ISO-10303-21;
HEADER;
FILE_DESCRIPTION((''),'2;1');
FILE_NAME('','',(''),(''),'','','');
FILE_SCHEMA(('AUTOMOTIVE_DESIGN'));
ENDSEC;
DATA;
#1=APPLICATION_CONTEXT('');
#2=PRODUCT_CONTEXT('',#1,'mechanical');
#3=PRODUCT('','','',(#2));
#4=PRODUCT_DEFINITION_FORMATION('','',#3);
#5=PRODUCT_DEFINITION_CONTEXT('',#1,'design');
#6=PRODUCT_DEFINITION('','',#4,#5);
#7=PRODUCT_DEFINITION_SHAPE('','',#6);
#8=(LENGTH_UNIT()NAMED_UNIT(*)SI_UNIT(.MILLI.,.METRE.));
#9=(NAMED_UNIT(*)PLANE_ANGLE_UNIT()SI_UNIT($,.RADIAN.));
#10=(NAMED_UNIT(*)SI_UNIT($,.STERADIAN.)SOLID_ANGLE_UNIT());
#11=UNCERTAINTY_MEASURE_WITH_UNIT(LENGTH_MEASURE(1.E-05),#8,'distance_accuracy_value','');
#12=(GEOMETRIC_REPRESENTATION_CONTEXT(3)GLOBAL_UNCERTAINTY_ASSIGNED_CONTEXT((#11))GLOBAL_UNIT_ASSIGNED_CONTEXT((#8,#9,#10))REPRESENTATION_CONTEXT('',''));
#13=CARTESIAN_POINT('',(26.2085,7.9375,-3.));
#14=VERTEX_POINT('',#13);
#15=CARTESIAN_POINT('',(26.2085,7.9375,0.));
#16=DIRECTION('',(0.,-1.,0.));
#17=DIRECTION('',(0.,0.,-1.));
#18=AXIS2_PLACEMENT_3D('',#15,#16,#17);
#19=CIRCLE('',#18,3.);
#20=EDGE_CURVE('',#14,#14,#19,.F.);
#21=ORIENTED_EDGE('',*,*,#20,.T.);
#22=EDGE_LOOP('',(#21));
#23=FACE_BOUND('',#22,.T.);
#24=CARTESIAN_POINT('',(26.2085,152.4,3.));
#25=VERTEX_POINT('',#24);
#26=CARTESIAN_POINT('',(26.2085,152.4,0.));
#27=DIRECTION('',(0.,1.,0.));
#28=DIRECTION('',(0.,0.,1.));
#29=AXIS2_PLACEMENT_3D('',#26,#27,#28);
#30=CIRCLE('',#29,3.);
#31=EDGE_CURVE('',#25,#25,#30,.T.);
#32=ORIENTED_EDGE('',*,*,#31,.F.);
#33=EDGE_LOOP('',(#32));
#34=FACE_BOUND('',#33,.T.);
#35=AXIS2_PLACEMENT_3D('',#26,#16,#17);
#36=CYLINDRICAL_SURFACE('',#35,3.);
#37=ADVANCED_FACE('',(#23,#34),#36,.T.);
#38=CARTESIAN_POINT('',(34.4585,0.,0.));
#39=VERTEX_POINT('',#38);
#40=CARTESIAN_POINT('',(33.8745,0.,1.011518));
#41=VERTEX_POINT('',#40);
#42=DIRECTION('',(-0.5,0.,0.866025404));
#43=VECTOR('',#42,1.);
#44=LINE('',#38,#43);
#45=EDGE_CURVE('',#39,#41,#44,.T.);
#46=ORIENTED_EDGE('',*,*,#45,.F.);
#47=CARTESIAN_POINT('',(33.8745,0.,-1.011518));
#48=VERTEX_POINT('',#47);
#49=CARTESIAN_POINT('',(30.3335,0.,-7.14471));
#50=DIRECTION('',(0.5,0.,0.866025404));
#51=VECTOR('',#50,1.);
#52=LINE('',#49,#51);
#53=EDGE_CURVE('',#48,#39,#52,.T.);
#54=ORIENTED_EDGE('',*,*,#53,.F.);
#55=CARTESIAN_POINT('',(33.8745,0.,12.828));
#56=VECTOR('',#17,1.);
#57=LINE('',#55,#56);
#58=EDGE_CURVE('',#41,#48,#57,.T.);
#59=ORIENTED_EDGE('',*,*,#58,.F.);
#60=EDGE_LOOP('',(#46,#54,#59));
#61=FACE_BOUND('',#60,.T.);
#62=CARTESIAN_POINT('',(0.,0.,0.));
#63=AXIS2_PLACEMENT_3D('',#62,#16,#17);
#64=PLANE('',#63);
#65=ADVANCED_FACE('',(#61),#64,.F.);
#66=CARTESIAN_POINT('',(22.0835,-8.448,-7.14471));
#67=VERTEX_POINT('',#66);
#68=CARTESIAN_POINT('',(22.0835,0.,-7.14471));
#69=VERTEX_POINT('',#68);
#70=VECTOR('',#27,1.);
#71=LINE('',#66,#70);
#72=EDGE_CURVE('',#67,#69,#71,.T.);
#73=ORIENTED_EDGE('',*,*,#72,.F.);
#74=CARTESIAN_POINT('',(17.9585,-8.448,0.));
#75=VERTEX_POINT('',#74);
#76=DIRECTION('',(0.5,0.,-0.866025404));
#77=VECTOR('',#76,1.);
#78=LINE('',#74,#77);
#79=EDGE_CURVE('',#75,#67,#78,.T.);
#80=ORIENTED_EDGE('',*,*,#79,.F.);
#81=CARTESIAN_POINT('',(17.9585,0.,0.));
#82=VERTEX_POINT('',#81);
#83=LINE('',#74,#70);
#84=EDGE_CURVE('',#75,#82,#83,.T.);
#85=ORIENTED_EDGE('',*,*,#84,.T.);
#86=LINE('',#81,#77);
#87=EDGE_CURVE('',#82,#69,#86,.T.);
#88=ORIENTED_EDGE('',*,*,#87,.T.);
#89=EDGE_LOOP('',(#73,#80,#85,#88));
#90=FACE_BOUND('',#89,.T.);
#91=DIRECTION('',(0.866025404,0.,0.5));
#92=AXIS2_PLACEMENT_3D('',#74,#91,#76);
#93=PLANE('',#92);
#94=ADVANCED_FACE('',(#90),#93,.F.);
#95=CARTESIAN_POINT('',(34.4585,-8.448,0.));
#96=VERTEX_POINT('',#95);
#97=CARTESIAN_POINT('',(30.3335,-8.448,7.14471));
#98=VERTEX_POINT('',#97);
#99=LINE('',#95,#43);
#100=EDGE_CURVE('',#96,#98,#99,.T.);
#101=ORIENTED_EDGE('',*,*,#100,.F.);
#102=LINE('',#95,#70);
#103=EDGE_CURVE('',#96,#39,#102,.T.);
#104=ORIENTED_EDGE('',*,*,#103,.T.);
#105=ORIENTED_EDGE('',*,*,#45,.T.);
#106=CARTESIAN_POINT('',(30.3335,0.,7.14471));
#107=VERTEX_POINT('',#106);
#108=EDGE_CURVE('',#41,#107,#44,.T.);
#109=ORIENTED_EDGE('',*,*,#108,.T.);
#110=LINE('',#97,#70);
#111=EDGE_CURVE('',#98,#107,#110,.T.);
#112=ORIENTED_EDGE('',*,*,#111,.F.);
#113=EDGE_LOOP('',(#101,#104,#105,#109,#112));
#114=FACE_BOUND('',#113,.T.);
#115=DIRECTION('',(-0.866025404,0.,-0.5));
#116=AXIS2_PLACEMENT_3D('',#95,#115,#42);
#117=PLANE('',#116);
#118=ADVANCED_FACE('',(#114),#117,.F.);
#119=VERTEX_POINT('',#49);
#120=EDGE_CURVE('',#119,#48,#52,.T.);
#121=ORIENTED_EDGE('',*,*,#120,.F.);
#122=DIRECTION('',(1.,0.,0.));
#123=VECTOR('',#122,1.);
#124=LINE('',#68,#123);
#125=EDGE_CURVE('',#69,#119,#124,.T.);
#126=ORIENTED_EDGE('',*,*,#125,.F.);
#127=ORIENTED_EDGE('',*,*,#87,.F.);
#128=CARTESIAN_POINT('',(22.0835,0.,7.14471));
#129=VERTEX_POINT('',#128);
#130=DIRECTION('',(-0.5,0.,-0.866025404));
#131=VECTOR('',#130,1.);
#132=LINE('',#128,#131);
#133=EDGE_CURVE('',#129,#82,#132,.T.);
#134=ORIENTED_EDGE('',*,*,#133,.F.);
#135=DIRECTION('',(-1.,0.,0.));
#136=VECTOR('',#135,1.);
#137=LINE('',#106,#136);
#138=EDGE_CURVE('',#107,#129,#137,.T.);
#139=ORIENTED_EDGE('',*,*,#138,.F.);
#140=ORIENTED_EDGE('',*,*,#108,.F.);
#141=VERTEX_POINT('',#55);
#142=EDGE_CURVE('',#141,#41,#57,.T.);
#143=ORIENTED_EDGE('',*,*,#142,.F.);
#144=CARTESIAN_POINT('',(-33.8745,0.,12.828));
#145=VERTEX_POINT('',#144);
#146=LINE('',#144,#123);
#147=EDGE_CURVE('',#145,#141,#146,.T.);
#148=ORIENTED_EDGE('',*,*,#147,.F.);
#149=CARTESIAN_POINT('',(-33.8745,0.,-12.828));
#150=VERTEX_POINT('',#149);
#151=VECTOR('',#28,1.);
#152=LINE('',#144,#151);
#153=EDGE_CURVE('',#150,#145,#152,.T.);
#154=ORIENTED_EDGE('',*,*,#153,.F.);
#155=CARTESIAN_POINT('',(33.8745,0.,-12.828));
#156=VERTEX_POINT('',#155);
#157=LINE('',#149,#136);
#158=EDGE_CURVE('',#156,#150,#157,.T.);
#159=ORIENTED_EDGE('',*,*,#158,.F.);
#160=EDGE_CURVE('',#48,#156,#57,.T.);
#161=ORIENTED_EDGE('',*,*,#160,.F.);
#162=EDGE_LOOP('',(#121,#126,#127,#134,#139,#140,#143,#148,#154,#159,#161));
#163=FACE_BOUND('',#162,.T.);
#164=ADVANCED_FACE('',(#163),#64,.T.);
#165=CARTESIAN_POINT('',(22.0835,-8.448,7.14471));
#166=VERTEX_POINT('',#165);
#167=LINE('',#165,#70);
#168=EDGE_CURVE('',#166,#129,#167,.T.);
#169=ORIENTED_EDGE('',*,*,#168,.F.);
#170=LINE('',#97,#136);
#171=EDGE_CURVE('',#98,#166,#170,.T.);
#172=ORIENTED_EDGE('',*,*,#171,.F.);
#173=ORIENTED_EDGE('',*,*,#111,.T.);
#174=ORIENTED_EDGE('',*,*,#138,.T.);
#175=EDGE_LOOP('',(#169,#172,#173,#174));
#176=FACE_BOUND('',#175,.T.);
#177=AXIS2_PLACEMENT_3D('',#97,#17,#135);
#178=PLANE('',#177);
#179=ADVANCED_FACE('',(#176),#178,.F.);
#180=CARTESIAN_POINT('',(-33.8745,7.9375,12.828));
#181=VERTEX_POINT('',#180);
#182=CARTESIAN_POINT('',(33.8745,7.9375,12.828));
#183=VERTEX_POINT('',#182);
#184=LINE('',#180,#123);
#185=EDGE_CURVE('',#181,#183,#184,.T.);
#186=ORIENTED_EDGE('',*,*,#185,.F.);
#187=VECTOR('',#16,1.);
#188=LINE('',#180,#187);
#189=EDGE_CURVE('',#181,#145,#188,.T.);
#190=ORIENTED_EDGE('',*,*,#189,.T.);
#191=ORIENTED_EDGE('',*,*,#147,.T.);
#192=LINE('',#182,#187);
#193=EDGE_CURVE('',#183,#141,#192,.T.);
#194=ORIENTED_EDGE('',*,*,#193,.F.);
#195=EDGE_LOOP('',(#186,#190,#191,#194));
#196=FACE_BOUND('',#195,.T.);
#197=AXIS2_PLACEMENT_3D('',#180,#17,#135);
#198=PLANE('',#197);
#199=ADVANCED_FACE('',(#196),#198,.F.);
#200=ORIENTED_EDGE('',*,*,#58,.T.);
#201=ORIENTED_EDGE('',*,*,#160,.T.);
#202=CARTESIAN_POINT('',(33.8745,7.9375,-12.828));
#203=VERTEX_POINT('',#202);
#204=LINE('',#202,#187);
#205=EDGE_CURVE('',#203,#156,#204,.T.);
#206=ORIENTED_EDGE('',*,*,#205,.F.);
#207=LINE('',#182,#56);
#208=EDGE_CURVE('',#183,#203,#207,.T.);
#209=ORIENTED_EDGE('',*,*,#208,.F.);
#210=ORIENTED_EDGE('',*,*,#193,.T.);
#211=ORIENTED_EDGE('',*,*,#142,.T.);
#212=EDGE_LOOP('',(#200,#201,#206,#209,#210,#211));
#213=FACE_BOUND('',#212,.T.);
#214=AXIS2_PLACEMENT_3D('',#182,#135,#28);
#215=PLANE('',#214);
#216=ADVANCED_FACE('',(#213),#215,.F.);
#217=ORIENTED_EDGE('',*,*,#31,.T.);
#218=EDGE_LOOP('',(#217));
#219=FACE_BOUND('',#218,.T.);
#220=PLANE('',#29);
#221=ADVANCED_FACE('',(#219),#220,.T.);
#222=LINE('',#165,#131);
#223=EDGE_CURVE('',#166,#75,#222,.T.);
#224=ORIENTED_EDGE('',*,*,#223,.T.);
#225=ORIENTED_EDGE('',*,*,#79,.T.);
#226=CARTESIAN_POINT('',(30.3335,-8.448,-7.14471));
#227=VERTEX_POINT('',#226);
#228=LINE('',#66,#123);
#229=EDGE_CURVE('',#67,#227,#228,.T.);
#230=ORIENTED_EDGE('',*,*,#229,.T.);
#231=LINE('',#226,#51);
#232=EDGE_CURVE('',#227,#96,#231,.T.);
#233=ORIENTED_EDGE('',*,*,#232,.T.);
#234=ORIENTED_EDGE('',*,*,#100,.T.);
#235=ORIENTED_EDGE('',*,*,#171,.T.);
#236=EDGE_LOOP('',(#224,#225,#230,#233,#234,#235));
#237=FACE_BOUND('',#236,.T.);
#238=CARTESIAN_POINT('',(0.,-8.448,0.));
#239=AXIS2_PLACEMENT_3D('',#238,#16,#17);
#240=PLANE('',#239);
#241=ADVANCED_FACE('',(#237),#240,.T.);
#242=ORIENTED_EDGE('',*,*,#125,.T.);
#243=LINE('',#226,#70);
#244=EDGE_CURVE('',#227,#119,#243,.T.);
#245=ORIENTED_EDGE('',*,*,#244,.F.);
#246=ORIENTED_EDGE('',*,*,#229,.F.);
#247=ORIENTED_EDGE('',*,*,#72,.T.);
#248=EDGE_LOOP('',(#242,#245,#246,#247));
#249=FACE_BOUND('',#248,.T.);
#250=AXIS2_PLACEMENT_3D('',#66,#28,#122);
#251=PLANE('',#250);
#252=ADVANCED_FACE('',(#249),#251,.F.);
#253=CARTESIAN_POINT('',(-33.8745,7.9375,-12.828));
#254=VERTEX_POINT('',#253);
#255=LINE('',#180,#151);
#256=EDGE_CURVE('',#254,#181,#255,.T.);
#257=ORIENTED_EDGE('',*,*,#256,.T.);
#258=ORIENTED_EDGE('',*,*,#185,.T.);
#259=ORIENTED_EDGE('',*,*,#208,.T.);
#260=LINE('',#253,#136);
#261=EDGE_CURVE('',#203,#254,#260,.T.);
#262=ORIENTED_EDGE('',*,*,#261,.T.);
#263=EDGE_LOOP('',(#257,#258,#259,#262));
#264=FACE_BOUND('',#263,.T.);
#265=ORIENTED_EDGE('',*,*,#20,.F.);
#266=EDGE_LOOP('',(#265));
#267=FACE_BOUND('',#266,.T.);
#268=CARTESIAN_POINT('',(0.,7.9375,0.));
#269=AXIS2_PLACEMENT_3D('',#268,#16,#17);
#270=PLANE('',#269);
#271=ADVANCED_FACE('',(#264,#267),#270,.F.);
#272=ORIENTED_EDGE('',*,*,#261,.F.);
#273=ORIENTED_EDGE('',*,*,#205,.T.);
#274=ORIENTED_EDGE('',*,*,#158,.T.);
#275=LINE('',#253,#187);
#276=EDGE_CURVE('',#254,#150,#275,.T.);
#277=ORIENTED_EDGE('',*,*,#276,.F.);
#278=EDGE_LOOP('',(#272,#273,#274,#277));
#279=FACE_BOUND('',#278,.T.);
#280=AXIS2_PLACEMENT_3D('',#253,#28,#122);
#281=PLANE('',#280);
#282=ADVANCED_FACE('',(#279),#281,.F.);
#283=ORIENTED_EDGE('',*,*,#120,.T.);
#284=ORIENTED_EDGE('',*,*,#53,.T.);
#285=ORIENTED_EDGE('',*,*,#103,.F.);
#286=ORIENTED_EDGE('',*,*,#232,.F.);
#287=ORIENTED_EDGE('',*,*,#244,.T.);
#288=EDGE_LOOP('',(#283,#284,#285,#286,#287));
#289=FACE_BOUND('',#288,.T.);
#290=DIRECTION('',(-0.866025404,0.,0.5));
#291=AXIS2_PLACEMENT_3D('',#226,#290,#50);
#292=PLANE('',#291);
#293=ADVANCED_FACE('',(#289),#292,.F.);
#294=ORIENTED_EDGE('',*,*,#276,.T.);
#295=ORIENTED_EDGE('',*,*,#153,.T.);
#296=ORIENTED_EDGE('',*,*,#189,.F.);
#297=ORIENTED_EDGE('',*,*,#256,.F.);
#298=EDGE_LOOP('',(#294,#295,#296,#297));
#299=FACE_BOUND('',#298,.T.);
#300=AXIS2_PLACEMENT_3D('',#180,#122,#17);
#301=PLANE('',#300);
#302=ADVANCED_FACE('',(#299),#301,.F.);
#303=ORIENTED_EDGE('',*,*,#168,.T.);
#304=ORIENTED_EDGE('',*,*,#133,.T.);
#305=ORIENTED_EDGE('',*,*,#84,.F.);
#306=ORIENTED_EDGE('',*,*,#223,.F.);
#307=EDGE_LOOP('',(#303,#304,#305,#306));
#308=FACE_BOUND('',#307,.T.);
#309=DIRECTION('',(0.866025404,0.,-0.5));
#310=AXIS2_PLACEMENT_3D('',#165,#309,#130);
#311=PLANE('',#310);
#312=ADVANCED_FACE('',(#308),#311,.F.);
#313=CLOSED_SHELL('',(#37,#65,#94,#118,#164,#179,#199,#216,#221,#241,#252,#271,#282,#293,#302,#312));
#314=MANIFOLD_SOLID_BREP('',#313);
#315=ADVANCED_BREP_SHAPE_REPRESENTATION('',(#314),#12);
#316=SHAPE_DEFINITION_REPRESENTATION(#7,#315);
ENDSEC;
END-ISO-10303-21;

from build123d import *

# Parameters (mm, degrees)
SKETCH1_W           = 67.749
SKETCH1_H           = 25.656
BOSS_EXTRUDE1_DEPTH = 7.9375
SKETCH2_R           = 3
BOSS_EXTRUDE2_DEPTH = 144.4625
BOSS_EXTRUDE4_DEPTH = 8.448


with BuildPart() as part:
    # Sketch1 → Boss-Extrude1 (new body)
    with BuildSketch(Plane(origin=(0, 0, 0), x_dir=(1, 0, 0), z_dir=(0, 1, 0))):
        Rectangle(SKETCH1_W, SKETCH1_H)
    extrude(amount=BOSS_EXTRUDE1_DEPTH)

    # Sketch2 → Boss-Extrude2 (add)
    with BuildSketch(Plane(origin=(0, 7.9375, 0), x_dir=(1, 0, 0), z_dir=(0, 1, 0))):
        with Locations(Location((26.2085, 0, 0), (0, 0, 90))):
            Circle(SKETCH2_R)
    extrude(amount=BOSS_EXTRUDE2_DEPTH)

    # Sketch3 → Boss-Extrude4 (add)
    with BuildSketch(Plane.XZ):
        Polygon((22.0835, -7.144709581), (30.3335, -7.144709581), (34.4585, 0), (30.3335, 7.144709581), (22.0835, 7.144709581), (17.9585, 0), align=None)
    extrude(amount=BOSS_EXTRUDE4_DEPTH)


solid = part.part
